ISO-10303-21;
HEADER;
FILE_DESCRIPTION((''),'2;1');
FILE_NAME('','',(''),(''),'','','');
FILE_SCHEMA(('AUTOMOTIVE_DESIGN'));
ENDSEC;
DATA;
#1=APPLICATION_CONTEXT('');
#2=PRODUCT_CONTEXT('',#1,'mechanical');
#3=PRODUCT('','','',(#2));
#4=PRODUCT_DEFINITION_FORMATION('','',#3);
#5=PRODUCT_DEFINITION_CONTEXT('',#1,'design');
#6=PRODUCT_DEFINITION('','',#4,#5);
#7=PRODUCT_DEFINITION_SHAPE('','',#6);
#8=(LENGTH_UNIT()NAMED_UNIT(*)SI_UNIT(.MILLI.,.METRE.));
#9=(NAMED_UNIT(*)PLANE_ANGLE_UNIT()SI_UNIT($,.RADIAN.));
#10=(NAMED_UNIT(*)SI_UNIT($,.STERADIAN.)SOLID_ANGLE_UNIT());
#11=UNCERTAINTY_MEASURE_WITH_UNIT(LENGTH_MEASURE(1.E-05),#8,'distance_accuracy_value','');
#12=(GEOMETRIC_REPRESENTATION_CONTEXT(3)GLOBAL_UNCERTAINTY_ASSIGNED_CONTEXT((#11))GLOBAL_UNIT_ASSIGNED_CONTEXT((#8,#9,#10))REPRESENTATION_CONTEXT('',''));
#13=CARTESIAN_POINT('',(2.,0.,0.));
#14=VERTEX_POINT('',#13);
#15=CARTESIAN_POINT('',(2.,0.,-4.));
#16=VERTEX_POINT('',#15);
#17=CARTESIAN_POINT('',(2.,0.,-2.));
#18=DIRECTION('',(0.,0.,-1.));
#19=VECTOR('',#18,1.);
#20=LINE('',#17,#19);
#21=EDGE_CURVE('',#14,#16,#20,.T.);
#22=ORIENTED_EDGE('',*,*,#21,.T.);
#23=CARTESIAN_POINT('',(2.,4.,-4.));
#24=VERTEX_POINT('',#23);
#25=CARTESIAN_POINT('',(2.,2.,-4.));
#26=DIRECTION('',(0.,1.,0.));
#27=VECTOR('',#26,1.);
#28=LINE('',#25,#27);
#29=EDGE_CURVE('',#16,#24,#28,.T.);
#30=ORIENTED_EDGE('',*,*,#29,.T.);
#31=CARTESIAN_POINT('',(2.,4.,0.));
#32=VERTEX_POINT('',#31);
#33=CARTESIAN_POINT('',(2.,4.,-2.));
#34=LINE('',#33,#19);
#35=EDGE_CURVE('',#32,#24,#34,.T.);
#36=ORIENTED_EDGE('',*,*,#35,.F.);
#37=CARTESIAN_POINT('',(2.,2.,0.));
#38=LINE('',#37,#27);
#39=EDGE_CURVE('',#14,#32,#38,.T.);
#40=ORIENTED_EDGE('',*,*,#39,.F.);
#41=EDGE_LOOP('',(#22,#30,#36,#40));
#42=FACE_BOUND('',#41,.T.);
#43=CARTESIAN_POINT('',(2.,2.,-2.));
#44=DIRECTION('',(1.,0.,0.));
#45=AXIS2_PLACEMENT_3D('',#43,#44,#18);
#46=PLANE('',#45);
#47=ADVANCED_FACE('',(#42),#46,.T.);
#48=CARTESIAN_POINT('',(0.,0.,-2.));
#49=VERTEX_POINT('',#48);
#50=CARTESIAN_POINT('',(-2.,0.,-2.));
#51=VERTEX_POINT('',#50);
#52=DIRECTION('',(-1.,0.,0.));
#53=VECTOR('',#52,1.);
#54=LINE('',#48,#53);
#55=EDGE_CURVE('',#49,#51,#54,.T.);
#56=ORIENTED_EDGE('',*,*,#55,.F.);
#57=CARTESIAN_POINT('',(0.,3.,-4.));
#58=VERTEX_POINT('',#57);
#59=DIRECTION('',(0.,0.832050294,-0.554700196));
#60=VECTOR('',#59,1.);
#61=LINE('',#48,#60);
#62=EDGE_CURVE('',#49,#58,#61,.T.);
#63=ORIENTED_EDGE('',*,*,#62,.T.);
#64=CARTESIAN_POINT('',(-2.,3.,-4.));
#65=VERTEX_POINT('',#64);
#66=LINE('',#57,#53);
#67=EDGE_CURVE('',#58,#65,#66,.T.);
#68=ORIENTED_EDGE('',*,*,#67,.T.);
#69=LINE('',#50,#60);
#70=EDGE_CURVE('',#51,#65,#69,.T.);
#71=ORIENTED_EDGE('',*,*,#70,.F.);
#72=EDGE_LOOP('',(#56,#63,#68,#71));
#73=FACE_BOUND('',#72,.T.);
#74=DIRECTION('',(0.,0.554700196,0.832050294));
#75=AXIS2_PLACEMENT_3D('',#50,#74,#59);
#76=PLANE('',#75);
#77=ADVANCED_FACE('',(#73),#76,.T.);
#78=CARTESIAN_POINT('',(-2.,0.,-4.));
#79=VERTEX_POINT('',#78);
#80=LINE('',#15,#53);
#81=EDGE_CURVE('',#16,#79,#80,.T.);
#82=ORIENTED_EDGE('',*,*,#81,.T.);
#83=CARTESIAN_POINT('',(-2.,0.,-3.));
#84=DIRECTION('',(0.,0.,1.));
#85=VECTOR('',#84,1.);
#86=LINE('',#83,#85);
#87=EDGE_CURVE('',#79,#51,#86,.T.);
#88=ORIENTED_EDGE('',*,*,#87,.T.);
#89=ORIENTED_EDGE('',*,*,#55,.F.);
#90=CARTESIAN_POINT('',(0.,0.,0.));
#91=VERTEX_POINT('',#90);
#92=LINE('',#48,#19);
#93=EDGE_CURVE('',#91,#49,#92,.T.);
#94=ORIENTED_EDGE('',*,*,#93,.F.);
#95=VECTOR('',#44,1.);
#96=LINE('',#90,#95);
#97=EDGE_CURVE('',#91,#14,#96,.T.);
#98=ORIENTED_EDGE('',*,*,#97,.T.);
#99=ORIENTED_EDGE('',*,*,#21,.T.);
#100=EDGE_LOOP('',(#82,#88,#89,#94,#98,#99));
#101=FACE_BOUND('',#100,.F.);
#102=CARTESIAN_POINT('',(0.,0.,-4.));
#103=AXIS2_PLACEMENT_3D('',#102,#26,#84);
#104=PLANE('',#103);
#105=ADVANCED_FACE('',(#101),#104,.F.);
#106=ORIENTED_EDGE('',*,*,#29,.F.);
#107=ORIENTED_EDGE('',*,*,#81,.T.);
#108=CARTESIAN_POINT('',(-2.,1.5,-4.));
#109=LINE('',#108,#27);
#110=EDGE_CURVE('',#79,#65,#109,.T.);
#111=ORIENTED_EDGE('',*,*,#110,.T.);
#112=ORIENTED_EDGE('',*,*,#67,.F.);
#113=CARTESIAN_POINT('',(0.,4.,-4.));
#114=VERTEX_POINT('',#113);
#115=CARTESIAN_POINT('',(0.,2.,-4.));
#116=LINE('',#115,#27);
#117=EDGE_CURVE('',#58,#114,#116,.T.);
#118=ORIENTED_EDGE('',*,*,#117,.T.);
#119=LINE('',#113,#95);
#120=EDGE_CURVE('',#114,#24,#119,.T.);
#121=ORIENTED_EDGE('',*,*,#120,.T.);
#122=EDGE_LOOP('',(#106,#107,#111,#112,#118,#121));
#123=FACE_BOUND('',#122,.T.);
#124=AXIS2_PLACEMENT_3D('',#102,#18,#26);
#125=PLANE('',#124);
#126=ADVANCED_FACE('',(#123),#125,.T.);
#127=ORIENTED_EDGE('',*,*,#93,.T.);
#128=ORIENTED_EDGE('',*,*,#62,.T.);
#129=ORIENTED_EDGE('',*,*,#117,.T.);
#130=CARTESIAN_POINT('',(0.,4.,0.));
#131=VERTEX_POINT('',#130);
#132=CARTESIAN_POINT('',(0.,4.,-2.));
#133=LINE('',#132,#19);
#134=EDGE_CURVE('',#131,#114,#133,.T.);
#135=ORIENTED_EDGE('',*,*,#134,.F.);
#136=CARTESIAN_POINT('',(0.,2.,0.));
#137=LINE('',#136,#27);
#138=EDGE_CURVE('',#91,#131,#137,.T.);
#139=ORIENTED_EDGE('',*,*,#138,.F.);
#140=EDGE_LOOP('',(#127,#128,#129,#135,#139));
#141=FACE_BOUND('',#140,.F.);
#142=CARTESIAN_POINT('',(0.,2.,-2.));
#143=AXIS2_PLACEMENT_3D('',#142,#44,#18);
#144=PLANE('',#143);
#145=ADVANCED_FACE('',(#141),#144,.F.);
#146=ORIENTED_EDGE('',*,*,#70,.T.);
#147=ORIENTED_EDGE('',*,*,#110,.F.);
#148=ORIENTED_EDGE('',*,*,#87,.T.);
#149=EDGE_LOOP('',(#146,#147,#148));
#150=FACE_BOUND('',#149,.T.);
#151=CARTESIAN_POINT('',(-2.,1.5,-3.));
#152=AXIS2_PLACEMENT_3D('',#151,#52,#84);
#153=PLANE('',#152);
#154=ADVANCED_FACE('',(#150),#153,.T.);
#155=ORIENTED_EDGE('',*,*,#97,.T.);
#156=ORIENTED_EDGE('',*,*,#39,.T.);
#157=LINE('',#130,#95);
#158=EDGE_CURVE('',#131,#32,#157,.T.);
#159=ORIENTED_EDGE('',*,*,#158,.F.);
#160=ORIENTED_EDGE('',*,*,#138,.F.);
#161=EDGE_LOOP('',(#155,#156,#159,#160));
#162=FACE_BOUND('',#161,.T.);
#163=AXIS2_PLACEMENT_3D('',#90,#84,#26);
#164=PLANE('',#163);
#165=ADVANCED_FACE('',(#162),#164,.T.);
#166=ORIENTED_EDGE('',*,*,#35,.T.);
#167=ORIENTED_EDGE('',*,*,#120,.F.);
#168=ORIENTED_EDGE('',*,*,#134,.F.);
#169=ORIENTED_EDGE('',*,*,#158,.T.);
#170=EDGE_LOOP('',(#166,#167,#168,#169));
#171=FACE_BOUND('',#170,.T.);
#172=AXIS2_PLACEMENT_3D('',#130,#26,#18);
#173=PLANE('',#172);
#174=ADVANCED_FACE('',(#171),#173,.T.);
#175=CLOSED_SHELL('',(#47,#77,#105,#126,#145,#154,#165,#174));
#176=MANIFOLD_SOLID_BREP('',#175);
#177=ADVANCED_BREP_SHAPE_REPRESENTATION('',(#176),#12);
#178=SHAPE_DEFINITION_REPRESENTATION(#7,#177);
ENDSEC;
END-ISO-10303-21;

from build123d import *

# Parameters (mm, degrees)
SKETCH1_W           = 4
SKETCH1_H           = 4
BOSS_EXTRUDE1_DEPTH = 2
SKETCH2_W           = 2
SKETCH2_H           = 3
BOSS_EXTRUDE2_DEPTH = 2
CUT_EXTRUDE1_DEPTH  = 2


with BuildPart() as part:
    # Sketch1 → Boss-Extrude1 (new body)
    with BuildSketch(Plane(origin=(0, 0, 0), x_dir=(0, 0, -1), z_dir=(1, 0, 0))):
        with Locations((2, 2)):
            Rectangle(SKETCH1_W, SKETCH1_H)
    extrude(amount=BOSS_EXTRUDE1_DEPTH)

    # Sketch2 → Boss-Extrude2 (add)
    with BuildSketch(Plane.ZY):
        with Locations((-3, 1.5)):
            Rectangle(SKETCH2_W, SKETCH2_H)
    extrude(amount=BOSS_EXTRUDE2_DEPTH)

    # Sketch3 → Cut-Extrude1 (cut)
    with BuildSketch(Plane.ZY.offset(2)):
        Polygon((-4, 3), (-2, 3), (-2, 0), align=None)
    extrude(amount=-CUT_EXTRUDE1_DEPTH, mode=Mode.SUBTRACT)


solid = part.part
